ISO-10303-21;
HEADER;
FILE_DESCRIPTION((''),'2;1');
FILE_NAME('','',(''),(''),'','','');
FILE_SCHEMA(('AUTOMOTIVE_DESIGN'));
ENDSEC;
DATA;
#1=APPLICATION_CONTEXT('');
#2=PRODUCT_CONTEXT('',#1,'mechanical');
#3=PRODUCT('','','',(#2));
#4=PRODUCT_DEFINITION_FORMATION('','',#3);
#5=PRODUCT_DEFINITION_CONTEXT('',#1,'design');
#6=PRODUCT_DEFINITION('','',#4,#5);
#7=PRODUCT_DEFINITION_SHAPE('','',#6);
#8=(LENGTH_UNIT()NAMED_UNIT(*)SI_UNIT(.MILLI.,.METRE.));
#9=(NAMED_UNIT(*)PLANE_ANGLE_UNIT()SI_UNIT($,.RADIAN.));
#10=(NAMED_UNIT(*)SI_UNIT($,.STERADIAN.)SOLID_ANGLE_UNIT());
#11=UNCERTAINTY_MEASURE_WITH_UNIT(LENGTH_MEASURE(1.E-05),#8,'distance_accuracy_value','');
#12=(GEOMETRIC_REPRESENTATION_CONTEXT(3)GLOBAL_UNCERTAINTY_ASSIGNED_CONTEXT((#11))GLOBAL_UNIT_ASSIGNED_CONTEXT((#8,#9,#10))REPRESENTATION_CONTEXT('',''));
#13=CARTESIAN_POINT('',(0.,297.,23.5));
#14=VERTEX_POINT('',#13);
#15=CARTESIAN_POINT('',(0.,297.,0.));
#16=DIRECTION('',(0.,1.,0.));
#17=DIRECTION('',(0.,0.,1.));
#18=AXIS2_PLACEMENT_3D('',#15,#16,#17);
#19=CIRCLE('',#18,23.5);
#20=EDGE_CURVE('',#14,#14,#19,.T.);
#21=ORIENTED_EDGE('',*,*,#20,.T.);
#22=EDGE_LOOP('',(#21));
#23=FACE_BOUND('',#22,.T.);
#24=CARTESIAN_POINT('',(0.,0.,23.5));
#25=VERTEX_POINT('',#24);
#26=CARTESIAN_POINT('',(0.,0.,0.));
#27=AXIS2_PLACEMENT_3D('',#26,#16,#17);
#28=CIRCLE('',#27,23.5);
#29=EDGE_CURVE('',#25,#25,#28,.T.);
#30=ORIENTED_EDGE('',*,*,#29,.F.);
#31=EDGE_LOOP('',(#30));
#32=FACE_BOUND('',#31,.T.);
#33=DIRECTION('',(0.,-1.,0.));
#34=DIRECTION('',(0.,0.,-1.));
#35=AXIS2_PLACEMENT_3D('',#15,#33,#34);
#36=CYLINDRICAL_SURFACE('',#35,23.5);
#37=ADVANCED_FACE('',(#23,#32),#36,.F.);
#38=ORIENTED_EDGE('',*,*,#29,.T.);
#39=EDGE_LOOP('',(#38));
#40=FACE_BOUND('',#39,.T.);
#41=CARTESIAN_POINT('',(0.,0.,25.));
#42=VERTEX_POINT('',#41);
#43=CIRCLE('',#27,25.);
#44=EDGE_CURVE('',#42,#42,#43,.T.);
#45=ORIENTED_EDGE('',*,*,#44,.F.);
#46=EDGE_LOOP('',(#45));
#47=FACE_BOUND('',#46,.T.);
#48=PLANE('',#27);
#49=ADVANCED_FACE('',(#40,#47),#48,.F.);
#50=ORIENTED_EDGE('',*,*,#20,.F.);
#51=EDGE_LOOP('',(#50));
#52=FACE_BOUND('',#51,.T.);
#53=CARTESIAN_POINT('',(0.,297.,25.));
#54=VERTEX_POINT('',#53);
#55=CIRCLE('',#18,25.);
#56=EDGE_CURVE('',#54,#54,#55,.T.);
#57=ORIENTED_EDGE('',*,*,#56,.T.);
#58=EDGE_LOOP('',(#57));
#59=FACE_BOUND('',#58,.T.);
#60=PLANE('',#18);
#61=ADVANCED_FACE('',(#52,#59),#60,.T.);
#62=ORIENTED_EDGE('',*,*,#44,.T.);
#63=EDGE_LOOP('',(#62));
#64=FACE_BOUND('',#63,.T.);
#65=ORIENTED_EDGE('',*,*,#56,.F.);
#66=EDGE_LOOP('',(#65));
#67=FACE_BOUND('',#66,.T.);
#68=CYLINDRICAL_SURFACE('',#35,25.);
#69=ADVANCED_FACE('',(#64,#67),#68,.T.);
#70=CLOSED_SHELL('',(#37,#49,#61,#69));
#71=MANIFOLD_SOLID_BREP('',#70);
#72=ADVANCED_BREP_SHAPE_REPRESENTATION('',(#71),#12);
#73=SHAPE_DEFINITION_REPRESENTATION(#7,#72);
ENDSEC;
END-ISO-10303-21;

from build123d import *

# Parameters (mm, degrees)
SKETCH1_R           = 25
SKETCH1_R_2         = 23.5
BOSS_EXTRUDE1_DEPTH = 297


with BuildPart() as part:
    # Sketch1 → Boss-Extrude1 (new body)
    with BuildSketch(Plane(origin=(0, 0, 0), x_dir=(1, 0, 0), z_dir=(0, 1, 0))):
        Circle(SKETCH1_R)
        Circle(SKETCH1_R_2, mode=Mode.SUBTRACT)
    extrude(amount=BOSS_EXTRUDE1_DEPTH)


solid = part.part
